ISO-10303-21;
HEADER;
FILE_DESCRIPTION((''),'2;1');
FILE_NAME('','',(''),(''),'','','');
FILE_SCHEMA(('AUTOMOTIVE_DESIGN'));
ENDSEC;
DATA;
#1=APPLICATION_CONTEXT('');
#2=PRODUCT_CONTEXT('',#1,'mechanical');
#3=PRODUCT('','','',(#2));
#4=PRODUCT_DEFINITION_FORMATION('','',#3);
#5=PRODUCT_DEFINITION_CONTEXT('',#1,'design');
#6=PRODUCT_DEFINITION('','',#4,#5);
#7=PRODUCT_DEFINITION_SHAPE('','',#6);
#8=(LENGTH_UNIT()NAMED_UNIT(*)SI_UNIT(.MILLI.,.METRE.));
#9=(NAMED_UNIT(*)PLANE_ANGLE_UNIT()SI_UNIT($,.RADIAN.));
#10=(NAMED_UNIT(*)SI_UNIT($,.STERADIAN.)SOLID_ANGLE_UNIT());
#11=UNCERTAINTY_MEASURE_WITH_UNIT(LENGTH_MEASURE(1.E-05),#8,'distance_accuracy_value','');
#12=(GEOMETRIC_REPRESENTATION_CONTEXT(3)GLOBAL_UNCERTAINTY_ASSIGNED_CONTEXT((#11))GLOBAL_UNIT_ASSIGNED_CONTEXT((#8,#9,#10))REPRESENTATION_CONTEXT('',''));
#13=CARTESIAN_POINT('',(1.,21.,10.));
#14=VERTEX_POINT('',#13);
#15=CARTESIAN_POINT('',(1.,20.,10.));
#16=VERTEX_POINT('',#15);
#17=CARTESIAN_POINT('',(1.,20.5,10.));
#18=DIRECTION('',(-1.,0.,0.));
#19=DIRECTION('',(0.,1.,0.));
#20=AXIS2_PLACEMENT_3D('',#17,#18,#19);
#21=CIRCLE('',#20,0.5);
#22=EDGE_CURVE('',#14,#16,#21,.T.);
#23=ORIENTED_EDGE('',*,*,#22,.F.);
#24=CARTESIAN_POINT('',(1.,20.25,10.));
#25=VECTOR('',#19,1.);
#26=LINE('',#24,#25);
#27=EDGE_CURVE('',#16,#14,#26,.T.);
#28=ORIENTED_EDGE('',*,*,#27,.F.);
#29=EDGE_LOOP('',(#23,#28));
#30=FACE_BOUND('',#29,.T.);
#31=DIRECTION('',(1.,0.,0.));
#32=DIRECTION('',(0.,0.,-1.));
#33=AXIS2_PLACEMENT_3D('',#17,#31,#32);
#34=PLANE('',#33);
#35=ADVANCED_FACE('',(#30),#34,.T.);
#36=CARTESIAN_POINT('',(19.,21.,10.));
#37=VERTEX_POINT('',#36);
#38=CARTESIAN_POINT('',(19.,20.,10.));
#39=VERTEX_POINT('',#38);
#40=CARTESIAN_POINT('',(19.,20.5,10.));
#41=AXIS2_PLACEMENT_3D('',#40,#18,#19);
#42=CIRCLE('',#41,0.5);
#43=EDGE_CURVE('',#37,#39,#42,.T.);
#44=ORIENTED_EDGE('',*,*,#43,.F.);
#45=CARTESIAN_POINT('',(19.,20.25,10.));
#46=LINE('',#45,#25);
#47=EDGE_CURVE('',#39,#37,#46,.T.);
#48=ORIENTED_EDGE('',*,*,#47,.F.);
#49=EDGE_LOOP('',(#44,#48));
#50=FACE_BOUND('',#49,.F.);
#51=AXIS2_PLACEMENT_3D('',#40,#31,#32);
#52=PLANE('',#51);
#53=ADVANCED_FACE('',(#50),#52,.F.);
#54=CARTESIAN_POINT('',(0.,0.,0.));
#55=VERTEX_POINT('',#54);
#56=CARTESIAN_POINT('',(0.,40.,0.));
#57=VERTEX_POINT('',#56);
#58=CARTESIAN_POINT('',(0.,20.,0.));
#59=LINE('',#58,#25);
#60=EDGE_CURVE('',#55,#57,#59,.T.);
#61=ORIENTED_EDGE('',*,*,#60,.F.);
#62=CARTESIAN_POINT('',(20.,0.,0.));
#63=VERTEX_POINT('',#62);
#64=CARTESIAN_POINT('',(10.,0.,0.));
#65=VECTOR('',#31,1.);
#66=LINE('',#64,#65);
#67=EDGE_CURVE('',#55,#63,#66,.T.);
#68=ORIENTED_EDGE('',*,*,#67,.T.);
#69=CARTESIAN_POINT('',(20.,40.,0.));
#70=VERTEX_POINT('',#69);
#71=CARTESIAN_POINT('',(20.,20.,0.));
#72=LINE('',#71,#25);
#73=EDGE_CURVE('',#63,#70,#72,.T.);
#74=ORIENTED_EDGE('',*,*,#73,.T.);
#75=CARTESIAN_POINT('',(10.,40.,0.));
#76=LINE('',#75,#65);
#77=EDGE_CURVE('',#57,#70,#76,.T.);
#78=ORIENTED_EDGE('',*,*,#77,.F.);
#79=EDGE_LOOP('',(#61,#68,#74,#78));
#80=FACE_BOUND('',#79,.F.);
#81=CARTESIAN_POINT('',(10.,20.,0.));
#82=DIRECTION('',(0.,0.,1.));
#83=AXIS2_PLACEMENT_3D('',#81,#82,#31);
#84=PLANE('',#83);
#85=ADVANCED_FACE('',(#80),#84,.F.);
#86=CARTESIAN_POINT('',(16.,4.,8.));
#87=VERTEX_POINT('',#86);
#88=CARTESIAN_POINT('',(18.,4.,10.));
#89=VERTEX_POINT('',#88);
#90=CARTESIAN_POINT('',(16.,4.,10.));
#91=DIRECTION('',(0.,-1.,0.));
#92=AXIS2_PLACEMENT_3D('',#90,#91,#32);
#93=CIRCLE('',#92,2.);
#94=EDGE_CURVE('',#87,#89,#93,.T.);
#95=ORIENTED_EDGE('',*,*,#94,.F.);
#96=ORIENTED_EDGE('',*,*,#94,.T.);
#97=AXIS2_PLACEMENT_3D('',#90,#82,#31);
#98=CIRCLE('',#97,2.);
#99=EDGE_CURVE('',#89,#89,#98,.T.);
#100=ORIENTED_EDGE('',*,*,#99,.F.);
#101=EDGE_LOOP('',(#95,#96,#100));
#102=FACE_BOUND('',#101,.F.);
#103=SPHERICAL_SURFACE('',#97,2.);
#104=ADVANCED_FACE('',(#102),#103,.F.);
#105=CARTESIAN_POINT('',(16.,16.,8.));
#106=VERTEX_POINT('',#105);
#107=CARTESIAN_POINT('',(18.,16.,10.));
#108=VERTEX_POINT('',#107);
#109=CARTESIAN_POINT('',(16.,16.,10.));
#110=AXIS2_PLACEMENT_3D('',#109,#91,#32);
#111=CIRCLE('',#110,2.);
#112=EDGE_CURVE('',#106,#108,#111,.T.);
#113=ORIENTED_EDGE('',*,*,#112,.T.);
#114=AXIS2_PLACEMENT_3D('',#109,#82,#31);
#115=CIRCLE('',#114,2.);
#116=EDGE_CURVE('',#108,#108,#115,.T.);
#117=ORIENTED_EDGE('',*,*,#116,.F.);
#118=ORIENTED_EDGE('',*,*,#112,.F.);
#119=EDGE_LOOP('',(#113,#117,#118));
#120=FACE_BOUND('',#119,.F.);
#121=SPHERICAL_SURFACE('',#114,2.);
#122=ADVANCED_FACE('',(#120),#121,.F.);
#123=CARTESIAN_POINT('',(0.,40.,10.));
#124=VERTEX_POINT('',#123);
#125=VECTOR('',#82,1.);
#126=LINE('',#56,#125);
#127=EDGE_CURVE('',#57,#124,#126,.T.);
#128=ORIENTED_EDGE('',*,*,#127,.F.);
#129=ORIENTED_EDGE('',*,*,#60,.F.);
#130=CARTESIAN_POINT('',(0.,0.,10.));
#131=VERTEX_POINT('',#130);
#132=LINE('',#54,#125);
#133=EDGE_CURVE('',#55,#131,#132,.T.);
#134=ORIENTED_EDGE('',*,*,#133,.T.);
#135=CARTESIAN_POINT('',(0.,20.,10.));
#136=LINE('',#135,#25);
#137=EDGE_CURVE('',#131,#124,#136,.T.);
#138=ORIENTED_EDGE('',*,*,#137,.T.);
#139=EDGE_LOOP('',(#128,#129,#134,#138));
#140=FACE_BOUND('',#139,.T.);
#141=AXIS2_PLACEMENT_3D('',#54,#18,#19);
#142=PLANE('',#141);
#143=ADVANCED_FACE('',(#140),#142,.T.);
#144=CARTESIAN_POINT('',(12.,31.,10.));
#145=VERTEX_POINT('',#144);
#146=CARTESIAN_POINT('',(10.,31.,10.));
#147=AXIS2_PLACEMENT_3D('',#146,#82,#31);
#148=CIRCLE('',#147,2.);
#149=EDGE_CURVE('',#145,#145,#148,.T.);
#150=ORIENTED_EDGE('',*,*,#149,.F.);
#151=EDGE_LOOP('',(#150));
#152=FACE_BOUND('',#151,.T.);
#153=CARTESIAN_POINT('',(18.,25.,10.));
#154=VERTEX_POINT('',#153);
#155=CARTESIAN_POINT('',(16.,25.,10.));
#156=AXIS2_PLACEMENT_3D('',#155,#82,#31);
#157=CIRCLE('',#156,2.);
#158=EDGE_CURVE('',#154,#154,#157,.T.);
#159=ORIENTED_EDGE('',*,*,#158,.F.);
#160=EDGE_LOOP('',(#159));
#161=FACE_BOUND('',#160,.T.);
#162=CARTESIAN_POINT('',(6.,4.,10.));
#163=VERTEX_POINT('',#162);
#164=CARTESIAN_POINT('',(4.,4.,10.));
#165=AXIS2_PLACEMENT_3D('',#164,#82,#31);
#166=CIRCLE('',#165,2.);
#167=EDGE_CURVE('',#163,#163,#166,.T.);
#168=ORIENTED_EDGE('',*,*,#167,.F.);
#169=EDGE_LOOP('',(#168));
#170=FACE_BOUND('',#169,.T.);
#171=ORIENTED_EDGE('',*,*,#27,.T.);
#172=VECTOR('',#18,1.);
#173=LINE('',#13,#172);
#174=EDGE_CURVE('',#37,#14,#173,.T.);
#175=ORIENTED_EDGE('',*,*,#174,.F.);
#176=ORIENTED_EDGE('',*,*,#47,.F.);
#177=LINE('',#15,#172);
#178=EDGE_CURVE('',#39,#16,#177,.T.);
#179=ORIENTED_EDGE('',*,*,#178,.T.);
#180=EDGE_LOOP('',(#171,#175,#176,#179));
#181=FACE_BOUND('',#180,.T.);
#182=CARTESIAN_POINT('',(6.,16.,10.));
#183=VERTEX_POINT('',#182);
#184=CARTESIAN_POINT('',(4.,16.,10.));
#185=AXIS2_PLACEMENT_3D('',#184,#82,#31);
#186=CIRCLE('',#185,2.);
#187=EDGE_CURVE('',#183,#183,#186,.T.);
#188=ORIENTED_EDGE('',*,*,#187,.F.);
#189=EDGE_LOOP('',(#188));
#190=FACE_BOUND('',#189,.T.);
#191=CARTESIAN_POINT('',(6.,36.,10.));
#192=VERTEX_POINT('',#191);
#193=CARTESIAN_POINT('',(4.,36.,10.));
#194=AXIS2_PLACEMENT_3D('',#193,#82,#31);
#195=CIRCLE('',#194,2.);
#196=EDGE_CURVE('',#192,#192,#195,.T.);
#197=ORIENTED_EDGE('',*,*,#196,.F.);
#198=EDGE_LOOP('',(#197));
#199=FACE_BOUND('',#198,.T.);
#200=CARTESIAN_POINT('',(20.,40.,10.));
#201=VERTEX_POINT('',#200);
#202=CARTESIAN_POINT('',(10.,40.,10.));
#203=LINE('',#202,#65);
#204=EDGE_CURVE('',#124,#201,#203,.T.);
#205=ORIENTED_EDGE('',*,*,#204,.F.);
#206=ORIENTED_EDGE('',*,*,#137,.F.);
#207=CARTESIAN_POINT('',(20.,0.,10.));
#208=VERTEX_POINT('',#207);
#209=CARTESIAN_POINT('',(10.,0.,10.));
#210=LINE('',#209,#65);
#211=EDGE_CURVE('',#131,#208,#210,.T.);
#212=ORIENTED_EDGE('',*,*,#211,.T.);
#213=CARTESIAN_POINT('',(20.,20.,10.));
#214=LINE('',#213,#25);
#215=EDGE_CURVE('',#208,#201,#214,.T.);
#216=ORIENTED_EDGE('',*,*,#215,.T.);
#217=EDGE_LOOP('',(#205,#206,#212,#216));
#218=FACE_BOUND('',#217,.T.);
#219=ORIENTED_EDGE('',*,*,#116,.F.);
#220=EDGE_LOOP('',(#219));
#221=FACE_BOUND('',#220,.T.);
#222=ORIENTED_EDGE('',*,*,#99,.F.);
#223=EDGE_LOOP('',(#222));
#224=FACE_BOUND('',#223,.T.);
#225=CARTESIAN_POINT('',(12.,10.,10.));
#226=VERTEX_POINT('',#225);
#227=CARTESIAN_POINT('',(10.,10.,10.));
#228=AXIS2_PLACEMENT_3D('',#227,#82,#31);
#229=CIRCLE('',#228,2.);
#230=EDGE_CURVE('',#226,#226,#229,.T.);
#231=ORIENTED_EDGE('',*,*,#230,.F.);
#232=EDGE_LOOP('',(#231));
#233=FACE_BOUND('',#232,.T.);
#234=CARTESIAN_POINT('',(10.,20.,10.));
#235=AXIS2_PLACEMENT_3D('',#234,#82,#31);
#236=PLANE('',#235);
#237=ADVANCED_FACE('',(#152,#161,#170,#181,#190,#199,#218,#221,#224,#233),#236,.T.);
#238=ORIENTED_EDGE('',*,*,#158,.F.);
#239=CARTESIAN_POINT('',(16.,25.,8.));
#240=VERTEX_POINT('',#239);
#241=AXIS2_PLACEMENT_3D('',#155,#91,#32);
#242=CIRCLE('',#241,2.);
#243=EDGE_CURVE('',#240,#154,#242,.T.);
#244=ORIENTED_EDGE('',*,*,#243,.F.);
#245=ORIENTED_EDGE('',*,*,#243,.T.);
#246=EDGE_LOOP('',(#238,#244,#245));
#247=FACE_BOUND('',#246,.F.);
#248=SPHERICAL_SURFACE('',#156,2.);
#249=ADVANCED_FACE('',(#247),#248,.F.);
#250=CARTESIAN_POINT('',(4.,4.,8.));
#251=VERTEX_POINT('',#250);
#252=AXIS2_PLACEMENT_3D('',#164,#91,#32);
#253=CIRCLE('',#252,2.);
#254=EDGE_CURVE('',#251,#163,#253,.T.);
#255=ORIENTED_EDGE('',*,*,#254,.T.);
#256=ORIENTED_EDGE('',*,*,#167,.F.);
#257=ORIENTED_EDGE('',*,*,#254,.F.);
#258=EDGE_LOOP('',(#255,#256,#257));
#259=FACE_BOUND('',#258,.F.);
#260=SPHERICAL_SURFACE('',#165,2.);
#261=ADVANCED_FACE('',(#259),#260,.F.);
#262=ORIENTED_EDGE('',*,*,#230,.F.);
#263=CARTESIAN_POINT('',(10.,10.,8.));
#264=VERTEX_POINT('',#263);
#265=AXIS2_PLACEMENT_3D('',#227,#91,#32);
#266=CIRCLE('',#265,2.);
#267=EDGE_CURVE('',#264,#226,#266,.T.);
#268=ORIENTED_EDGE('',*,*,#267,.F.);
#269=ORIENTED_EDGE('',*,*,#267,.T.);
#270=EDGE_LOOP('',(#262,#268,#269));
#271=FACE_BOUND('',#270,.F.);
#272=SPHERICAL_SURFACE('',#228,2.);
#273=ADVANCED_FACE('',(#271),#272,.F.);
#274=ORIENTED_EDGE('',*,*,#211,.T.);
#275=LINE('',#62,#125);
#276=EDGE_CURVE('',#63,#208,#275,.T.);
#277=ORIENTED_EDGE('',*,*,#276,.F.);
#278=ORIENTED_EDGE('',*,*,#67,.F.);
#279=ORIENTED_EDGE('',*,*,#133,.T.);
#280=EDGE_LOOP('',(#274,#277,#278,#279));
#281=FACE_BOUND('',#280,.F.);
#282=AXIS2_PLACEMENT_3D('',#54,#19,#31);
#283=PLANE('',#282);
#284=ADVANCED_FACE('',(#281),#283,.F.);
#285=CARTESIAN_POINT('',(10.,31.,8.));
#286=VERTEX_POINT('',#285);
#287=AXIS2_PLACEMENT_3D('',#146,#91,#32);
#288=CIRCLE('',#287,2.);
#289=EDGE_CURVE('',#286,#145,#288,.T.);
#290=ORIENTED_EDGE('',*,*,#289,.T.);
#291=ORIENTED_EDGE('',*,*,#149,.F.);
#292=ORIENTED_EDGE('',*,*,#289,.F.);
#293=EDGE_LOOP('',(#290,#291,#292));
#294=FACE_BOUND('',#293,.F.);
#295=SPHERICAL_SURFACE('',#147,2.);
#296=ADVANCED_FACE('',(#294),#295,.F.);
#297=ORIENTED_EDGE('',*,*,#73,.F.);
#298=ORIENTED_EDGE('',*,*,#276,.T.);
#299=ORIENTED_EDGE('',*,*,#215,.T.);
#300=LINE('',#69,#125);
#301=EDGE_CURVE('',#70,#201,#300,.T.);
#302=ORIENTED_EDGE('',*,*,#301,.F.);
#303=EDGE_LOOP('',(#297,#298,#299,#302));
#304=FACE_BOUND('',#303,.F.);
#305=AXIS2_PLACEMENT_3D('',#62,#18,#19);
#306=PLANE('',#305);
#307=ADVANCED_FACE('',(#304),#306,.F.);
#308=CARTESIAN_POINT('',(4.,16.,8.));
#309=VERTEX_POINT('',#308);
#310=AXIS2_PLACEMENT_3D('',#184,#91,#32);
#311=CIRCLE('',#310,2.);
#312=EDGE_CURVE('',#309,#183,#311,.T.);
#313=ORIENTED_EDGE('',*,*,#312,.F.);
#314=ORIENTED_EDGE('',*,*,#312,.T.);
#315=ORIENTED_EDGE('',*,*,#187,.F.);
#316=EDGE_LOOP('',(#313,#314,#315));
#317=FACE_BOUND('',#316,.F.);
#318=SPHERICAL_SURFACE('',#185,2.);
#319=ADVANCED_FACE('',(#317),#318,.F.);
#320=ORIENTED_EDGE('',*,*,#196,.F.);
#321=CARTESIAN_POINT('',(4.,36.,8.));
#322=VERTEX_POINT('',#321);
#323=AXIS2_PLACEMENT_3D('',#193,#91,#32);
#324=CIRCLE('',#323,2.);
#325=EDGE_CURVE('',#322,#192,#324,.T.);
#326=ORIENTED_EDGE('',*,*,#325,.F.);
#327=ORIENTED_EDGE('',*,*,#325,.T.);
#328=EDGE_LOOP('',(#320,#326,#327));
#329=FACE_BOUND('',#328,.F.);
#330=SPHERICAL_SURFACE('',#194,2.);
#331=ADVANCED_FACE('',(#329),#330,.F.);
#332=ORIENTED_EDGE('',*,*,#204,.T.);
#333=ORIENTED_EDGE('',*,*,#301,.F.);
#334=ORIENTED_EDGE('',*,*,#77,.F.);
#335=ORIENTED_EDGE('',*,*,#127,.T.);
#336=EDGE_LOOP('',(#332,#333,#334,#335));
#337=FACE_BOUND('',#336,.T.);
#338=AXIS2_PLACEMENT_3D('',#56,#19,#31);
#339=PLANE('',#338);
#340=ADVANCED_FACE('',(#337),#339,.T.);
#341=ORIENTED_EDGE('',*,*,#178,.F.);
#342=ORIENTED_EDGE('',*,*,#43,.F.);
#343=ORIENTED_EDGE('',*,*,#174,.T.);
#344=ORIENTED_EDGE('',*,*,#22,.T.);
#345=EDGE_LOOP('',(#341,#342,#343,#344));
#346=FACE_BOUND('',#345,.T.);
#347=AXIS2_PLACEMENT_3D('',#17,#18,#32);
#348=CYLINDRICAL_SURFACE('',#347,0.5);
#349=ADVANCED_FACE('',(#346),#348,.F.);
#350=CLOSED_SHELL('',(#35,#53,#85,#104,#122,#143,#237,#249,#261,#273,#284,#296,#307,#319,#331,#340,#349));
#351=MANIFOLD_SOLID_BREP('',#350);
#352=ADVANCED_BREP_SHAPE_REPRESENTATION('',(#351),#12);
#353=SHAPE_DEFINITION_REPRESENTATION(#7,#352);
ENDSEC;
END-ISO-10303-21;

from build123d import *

# Parameters (mm, degrees)
CYLINDER_R     = 0.5
CYLINDER_DEPTH = 18
BOX_W          = 20
BOX_H          = 40
BOX_DEPTH      = 10


with BuildPart() as sphere007:
    # Sphere007 → Sphere007 (revolve)
    with BuildSketch(Plane(origin=(16, 25, 10), x_dir=(1, 0, 0), z_dir=(0, -1, 0))):
        with BuildLine():
            ThreePointArc((0, -2), (2, 0), (0, 2))
            Line((0, 2), (0, -2))
        make_face()
    revolve(axis=Axis((16, 25, 10), (0, 0, 1)))


with BuildPart() as sphere006:
    # Sphere006 → Sphere006 (revolve)
    with BuildSketch(Plane(origin=(4, 36, 10), x_dir=(1, 0, 0), z_dir=(0, -1, 0))):
        with BuildLine():
            ThreePointArc((0, -2), (2, 0), (0, 2))
            Line((0, 2), (0, -2))
        make_face()
    revolve(axis=Axis((4, 36, 10), (0, 0, 1)))


with BuildPart() as sphere005:
    # Sphere005 → Sphere005 (revolve)
    with BuildSketch(Plane(origin=(10, 31, 10), x_dir=(1, 0, 0), z_dir=(0, -1, 0))):
        with BuildLine():
            ThreePointArc((0, -2), (2, 0), (0, 2))
            Line((0, 2), (0, -2))
        make_face()
    revolve(axis=Axis((10, 31, 10), (0, 0, 1)))


with BuildPart() as fusion:
    # Fusion base: copy of Sphere005
    add(sphere005.part)

    # Fusion: union Sphere007, Sphere006
    add(sphere007.part)
    add(sphere006.part)


with BuildPart() as sphere002:
    # Sphere002 → Sphere002 (revolve)
    with BuildSketch(Plane(origin=(4, 16, 10), x_dir=(1, 0, 0), z_dir=(0, -1, 0))):
        with BuildLine():
            ThreePointArc((0, -2), (2, 0), (0, 2))
            Line((0, 2), (0, -2))
        make_face()
    revolve(axis=Axis((4, 16, 10), (0, 0, 1)))


with BuildPart() as sphere003:
    # Sphere003 → Sphere003 (revolve)
    with BuildSketch(Plane(origin=(16, 16, 10), x_dir=(1, 0, 0), z_dir=(0, -1, 0))):
        with BuildLine():
            ThreePointArc((0, -2), (2, 0), (0, 2))
            Line((0, 2), (0, -2))
        make_face()
    revolve(axis=Axis((16, 16, 10), (0, 0, 1)))


with BuildPart() as sphere004:
    # Sphere004 → Sphere004 (revolve)
    with BuildSketch(Plane(origin=(10, 10, 10), x_dir=(1, 0, 0), z_dir=(0, -1, 0))):
        with BuildLine():
            ThreePointArc((0, -2), (2, 0), (0, 2))
            Line((0, 2), (0, -2))
        make_face()
    revolve(axis=Axis((10, 10, 10), (0, 0, 1)))


with BuildPart() as sphere:
    # Sphere → Sphere (revolve)
    with BuildSketch(Plane(origin=(4, 4, 10), x_dir=(1, 0, 0), z_dir=(0, -1, 0))):
        with BuildLine():
            ThreePointArc((0, -2), (2, 0), (0, 2))
            Line((0, 2), (0, -2))
        make_face()
    revolve(axis=Axis((4, 4, 10), (0, 0, 1)))


with BuildPart() as sphere001:
    # Sphere001 → Sphere001 (revolve)
    with BuildSketch(Plane(origin=(16, 4, 10), x_dir=(1, 0, 0), z_dir=(0, -1, 0))):
        with BuildLine():
            ThreePointArc((0, -2), (2, 0), (0, 2))
            Line((0, 2), (0, -2))
        make_face()
    revolve(axis=Axis((16, 4, 10), (0, 0, 1)))


with BuildPart() as fusion001:
    # Fusion001 base: copy of Sphere005
    add(sphere005.part)

    # Fusion001: union Sphere007, Sphere006, Sphere002, Sphere003, Sphere004, Sphere, Sphere001
    add(sphere007.part)
    add(sphere006.part)
    add(sphere002.part)
    add(sphere003.part)
    add(sphere004.part)
    add(sphere.part)
    add(sphere001.part)


with BuildPart() as fusion002:
    # Cylinder → Cylinder (new body)
    with BuildSketch(Plane(origin=(1, 20.5, 10), x_dir=(0, 0, -1), z_dir=(1, 0, 0))):
        Circle(CYLINDER_R)
    extrude(amount=CYLINDER_DEPTH)

    # Fusion002: union Fusion, Fusion001
    add(fusion.part)
    add(fusion001.part)


with BuildPart() as fitxa_domino:
    # Box → Box (new body)
    with BuildSketch(Plane.XY):
        with Locations((10, 20)):
            Rectangle(BOX_W, BOX_H)
    extrude(amount=BOX_DEPTH)

    # Cut: cut Fusion002
    add(fusion002.part, mode=Mode.SUBTRACT)


solid = fitxa_domino.part
